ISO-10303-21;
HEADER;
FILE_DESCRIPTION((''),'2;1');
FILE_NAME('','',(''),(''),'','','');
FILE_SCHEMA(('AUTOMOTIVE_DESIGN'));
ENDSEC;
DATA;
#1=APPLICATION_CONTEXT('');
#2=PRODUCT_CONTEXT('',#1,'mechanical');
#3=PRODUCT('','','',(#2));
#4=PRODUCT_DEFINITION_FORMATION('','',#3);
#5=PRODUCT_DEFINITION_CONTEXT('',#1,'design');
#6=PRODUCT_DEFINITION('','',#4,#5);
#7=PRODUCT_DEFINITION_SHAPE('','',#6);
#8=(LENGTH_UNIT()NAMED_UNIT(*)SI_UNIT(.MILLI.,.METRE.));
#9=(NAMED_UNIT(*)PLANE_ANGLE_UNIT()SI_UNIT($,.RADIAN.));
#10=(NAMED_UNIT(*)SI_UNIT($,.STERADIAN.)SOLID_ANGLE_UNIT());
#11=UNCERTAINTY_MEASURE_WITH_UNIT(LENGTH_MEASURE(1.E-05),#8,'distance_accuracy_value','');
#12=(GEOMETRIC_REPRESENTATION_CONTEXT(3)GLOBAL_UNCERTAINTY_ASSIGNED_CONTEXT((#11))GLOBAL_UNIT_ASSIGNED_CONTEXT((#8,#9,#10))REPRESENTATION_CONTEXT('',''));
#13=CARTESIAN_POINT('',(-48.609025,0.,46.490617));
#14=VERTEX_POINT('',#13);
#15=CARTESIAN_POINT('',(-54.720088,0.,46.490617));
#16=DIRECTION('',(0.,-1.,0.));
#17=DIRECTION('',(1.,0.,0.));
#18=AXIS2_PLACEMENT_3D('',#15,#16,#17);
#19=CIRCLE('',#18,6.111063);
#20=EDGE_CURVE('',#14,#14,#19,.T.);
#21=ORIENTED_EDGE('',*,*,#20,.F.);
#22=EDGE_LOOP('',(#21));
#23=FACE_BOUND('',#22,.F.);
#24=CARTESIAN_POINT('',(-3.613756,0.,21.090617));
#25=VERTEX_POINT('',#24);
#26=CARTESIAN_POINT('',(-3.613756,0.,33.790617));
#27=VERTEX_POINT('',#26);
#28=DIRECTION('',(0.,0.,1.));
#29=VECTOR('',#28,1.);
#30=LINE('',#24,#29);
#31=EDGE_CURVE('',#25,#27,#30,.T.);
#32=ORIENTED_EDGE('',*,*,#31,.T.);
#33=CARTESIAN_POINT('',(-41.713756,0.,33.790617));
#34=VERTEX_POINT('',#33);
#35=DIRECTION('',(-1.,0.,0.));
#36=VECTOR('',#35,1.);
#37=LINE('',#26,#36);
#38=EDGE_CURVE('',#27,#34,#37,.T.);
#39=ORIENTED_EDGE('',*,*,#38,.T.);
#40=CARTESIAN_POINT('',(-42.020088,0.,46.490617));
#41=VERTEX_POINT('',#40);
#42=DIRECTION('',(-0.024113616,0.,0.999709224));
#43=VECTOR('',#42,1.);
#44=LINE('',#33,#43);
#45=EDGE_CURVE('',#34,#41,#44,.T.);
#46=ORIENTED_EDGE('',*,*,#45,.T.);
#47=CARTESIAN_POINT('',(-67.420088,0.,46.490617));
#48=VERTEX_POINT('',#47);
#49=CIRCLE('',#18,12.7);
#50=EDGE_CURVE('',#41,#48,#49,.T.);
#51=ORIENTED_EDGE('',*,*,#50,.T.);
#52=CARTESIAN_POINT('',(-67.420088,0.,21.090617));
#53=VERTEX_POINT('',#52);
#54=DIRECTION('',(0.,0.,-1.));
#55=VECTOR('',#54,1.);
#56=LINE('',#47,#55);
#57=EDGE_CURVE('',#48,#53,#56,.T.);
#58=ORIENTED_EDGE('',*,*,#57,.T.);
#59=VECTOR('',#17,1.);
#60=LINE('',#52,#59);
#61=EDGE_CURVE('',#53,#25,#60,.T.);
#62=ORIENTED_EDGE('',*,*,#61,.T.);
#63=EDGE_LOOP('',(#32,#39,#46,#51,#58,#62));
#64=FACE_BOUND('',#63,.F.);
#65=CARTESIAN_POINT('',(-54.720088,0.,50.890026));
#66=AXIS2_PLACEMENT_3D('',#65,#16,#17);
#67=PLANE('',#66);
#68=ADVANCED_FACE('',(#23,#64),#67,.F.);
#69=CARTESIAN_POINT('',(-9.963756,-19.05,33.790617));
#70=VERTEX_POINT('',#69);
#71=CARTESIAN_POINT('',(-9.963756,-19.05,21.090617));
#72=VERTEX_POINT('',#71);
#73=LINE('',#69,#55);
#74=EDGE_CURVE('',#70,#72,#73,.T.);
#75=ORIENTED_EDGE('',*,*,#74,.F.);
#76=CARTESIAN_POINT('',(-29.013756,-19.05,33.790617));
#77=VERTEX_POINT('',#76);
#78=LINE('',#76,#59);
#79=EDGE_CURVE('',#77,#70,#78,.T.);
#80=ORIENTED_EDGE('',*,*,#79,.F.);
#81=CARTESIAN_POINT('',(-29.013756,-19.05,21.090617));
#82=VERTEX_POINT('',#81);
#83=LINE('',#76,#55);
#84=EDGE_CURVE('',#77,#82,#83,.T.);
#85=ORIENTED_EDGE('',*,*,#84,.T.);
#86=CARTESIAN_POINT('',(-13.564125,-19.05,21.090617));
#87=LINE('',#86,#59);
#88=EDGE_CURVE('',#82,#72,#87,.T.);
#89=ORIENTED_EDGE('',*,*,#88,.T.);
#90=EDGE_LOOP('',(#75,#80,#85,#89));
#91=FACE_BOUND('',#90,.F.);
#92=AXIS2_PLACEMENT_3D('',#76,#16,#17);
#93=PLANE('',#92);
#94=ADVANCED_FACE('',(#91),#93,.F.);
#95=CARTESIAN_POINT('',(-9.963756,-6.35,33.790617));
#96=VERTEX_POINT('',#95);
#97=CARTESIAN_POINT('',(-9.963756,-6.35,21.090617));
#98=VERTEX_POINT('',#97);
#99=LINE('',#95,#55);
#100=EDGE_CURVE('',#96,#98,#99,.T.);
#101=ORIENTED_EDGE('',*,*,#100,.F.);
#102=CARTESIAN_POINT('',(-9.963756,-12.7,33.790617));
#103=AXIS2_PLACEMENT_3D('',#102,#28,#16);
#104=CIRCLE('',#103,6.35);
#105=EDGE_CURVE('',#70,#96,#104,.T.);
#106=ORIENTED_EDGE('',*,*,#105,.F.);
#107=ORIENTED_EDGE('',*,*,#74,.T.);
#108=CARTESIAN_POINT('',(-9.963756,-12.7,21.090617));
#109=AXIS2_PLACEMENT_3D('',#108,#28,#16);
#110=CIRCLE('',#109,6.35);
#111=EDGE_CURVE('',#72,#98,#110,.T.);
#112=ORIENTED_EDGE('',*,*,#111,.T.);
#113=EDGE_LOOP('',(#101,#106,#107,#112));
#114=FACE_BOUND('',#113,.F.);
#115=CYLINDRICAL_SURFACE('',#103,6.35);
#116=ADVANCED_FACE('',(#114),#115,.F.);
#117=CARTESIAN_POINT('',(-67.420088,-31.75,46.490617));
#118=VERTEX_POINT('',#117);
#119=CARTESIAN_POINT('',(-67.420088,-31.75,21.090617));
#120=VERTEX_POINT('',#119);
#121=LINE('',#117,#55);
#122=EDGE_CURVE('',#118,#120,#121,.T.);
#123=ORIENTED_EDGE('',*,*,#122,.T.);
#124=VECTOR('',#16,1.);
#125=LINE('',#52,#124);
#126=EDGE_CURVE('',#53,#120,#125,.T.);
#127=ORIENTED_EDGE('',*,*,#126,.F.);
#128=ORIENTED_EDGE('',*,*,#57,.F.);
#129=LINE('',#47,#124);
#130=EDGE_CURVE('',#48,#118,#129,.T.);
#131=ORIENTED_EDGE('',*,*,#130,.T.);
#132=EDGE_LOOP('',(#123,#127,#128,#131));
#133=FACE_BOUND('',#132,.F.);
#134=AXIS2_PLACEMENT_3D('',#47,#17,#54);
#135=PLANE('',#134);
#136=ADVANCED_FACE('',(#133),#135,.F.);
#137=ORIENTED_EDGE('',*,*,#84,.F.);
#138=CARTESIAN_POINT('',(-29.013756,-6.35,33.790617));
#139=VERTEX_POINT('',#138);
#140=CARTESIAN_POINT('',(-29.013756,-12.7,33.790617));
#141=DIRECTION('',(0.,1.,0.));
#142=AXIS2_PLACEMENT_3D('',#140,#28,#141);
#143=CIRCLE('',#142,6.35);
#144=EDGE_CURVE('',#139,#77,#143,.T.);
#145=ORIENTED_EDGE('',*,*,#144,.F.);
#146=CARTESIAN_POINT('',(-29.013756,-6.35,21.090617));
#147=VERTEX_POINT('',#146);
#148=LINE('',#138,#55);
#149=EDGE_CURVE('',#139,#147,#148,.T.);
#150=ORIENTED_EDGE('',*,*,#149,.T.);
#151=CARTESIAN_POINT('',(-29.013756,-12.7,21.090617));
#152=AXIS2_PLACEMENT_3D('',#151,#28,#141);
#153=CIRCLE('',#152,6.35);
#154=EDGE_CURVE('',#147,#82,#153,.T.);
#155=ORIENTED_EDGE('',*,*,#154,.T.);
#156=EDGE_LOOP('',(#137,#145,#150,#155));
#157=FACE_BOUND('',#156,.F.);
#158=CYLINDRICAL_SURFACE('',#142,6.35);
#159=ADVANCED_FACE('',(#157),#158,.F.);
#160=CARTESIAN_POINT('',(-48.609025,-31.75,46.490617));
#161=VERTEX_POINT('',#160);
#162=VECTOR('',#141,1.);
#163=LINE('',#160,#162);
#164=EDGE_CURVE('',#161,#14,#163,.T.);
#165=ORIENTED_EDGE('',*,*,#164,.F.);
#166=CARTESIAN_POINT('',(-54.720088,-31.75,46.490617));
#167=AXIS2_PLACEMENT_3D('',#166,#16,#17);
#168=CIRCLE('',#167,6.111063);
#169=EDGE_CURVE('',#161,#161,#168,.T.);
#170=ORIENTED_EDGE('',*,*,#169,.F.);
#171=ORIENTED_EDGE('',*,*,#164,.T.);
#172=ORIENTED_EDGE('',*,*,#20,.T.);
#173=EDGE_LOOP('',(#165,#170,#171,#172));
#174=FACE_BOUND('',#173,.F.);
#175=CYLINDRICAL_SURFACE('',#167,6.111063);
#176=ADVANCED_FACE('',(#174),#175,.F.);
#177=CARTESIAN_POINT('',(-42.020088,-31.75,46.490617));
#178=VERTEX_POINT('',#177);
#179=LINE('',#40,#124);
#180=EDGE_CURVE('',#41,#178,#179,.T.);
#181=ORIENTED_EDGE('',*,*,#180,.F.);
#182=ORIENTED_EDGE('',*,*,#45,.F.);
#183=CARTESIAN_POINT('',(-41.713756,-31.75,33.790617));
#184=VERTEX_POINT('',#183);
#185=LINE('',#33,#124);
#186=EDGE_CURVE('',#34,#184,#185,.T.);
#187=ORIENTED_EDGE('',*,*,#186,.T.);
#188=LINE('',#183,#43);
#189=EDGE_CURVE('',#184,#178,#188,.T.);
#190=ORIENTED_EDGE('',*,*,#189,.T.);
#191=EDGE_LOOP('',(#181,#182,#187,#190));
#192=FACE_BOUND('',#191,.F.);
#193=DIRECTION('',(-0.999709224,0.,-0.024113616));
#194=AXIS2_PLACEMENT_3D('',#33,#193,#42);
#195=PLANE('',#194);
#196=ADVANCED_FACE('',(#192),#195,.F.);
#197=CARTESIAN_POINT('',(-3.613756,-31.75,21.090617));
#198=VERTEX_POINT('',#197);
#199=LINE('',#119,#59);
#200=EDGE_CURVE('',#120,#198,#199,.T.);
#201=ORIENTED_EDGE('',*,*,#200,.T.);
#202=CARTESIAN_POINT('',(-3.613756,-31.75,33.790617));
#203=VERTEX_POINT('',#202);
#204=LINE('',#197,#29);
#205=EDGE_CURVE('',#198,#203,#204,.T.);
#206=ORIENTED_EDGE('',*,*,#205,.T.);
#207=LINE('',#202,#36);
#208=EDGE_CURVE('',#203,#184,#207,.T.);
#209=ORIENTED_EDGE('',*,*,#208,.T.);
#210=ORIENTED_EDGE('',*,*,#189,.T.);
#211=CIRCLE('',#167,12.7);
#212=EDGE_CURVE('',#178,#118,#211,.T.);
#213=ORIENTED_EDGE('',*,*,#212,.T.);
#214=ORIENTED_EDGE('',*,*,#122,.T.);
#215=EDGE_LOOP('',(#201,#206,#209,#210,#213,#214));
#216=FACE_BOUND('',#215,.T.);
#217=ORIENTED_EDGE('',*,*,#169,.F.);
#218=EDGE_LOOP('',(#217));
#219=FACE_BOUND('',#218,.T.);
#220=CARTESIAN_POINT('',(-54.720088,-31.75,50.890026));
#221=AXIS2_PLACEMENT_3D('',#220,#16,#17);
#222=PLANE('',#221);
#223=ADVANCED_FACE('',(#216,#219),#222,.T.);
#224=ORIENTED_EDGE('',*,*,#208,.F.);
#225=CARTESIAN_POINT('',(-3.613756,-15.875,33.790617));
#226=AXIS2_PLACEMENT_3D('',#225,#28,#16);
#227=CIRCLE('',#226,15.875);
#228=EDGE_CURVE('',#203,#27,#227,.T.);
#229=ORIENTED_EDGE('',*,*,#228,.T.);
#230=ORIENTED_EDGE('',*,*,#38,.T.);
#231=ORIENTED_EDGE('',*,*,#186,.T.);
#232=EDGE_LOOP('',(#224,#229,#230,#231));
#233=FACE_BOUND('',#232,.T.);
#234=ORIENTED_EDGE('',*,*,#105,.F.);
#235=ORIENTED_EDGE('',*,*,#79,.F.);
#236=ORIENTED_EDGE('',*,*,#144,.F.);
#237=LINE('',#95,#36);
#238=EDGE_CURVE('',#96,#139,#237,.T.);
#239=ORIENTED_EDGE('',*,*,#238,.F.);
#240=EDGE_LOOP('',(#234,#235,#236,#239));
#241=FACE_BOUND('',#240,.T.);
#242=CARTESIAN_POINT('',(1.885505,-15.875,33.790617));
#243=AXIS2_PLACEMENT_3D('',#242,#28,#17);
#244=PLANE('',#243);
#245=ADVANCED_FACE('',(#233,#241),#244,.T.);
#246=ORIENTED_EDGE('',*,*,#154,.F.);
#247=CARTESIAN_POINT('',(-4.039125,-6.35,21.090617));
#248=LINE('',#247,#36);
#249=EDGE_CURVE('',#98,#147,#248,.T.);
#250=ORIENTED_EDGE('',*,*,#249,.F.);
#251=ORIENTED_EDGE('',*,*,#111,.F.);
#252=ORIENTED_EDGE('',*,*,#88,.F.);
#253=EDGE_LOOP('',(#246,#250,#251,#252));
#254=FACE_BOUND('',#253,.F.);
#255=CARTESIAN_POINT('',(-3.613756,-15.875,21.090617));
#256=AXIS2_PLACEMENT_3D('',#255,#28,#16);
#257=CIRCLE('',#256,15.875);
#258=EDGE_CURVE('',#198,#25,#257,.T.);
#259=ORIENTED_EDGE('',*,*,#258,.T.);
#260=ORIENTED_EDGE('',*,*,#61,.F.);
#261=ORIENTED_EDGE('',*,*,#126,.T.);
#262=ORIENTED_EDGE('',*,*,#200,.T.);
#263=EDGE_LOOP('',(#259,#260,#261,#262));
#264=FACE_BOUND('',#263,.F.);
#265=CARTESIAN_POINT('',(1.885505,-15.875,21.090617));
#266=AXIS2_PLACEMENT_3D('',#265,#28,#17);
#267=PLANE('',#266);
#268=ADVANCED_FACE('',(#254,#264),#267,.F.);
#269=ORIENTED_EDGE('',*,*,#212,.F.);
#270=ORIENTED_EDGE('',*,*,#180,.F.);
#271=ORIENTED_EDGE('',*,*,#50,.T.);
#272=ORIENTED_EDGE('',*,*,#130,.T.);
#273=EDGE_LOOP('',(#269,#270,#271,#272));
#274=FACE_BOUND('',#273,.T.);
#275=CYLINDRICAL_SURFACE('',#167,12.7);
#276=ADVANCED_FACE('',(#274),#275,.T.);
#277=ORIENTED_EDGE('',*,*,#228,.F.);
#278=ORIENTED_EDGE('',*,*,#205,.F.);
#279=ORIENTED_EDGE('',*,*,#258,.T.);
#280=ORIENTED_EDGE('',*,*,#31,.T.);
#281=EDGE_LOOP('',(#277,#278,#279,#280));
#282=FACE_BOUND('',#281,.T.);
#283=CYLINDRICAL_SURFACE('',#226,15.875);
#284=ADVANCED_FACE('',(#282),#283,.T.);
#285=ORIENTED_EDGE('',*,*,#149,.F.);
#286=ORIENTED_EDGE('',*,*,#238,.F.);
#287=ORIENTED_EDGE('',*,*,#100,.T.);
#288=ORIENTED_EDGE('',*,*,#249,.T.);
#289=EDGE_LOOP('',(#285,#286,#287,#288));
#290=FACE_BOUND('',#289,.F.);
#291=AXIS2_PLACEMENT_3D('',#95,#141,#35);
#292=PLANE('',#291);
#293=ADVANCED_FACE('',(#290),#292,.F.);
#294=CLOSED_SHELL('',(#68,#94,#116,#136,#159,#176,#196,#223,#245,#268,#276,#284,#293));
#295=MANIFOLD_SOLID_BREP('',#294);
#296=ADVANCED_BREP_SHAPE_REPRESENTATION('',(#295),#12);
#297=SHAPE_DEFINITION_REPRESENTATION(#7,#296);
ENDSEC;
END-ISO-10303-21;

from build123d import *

# Parameters (mm, degrees)
F1_DEPTH = 31.75
F3_DEPTH = 31.75
F4_R     = 6.111063
F5_DEPTH = 31.75
F7_DEPTH = 12.7
F9_DEPTH = 25.4


with BuildPart() as f1:
    # F0 (on Front) → F1 (new body)
    with BuildSketch(Plane.XZ):
        Polygon((-42.020088, 46.490617), (-67.420088, 46.490617), (-67.420088, 21.090617), (-3.613756, 21.090617), (-3.613756, 33.790617), (-41.713756, 33.790617), align=None)
    extrude(amount=F1_DEPTH)

    # F2 (on face) → F3 (join)
    with BuildSketch(Plane.XZ.offset(31.75)):
        with BuildLine():
            Line((-67.420088, 46.490617), (-42.020088, 46.490617))
            ThreePointArc((-42.020088, 46.490617), (-54.720088, 59.190617), (-67.420088, 46.490617))
        make_face()
    extrude(amount=-F3_DEPTH)

    # F4 (on face) → F5 (cut)
    with BuildSketch(Plane.XZ.offset(31.75)):
        with Locations((-54.720088, 46.490617)):
            Circle(F4_R)
    extrude(amount=-F5_DEPTH, mode=Mode.SUBTRACT)

    # F6 (on face) → F7 (join)
    with BuildSketch(Plane.XY.offset(33.790617)):
        with BuildLine():
            Line((-3.613756, 0), (-3.613756, -31.75))
            ThreePointArc((-3.613756, -31.75), (12.261244, -15.875), (-3.613756, 0))
        make_face()
    extrude(amount=-F7_DEPTH)

    # F8 (on face) → F9 (cut)
    with BuildSketch(Plane.XY.offset(33.790617)):
        with BuildLine():
            Line((-9.963756, -6.35), (-29.013756, -6.35))
            ThreePointArc((-29.013756, -6.35), (-35.363756, -12.7), (-29.013756, -19.05))
            Line((-29.013756, -19.05), (-9.963756, -19.05))
            ThreePointArc((-9.963756, -19.05), (-3.613756, -12.7), (-9.963756, -6.35))
        make_face()
    extrude(amount=-F9_DEPTH, mode=Mode.SUBTRACT)


solid = f1.part
